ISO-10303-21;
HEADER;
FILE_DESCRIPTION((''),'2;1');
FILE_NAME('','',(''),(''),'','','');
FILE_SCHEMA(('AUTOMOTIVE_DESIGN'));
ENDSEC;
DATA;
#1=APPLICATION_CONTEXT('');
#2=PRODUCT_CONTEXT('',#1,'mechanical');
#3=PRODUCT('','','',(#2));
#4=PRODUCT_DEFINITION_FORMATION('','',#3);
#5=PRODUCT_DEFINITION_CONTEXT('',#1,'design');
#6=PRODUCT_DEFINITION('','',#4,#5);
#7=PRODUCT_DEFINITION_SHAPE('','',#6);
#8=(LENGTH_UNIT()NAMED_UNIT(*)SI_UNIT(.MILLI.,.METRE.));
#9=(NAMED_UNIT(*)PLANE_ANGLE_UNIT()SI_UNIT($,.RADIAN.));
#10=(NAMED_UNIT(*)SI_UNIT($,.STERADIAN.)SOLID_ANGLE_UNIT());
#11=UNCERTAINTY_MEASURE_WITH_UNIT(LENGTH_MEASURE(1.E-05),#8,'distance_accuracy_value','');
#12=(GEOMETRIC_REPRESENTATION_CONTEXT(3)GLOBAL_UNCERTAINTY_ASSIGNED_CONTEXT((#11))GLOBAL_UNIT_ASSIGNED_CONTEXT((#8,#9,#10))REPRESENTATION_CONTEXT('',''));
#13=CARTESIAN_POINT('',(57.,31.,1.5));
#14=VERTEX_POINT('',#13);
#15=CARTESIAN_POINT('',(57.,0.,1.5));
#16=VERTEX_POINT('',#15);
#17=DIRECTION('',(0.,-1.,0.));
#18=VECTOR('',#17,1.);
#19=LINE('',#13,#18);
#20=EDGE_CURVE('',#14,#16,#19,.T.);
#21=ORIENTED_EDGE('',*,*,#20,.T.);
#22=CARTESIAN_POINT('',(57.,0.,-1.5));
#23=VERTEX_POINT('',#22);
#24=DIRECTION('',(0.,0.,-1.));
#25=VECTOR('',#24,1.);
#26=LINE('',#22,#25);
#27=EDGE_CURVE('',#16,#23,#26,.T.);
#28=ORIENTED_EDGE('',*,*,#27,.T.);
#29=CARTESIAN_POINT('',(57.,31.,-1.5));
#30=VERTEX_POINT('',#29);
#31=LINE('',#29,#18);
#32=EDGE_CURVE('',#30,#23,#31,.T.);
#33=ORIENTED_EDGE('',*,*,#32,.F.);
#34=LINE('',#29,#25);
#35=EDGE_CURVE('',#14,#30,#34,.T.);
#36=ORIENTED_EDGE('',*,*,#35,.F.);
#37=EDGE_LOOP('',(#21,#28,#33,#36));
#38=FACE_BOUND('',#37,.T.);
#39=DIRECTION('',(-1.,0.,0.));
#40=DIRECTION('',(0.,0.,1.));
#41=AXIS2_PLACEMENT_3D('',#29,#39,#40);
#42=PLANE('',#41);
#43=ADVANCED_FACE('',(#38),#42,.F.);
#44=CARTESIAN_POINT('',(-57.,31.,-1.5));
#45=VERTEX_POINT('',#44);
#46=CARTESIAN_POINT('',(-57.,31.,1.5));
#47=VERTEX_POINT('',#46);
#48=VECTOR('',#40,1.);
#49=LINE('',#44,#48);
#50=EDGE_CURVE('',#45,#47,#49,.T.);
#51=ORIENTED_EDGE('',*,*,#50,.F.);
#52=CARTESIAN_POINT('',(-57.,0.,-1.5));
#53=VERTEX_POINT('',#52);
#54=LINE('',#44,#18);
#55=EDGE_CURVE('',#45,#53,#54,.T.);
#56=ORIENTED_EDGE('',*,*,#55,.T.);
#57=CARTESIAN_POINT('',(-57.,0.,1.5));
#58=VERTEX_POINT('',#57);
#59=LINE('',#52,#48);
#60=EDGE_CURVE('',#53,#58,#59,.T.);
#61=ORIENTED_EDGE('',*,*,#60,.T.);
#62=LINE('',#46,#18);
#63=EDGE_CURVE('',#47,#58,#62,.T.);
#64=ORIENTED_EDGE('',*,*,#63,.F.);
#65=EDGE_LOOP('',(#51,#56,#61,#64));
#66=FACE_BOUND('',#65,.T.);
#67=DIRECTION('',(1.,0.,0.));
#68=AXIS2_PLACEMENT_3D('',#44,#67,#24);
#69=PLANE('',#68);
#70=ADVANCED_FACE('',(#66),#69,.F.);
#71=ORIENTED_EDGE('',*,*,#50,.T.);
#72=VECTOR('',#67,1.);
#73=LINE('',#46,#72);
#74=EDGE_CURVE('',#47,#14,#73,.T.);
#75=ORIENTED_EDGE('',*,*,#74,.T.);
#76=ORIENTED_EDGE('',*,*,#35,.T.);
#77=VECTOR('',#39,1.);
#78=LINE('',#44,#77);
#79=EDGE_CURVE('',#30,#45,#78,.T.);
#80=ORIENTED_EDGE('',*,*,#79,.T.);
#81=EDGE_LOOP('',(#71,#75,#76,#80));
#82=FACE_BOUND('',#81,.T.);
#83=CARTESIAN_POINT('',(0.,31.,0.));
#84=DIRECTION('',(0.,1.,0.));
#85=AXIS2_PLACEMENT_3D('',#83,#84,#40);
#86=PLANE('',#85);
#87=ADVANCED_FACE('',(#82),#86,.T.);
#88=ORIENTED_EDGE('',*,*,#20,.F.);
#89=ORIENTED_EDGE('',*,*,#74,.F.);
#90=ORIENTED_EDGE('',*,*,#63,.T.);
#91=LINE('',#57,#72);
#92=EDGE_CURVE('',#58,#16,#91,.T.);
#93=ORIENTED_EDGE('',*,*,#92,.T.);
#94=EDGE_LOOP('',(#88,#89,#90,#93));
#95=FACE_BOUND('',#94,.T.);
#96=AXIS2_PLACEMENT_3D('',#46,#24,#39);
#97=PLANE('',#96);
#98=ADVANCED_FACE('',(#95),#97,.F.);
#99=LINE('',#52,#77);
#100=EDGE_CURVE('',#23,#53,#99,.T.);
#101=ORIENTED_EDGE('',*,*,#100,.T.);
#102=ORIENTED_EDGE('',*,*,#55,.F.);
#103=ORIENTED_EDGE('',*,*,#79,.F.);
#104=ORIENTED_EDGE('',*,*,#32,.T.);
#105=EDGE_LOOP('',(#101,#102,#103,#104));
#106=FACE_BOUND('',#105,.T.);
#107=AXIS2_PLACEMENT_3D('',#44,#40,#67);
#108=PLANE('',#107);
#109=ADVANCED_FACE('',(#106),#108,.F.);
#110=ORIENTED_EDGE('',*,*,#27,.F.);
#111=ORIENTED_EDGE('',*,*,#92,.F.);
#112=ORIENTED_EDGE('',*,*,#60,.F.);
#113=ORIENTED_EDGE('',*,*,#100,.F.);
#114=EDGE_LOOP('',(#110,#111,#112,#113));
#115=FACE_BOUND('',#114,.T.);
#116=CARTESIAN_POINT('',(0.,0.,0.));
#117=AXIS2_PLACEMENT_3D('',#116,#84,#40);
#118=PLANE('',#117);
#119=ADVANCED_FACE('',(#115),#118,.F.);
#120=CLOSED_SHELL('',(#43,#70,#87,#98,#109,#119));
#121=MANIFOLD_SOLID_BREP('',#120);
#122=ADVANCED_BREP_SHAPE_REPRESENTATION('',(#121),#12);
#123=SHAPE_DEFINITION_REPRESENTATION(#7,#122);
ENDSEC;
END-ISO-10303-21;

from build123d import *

# Parameters (mm, degrees)
SKETCH_1_W      = 114
SKETCH_1_H      = 3
EXTRUDE_1_DEPTH = 31


with BuildPart() as part:
    # 草图1 → 凸台-拉伸1 (new body)
    with BuildSketch(Plane(origin=(0, 0, 0), x_dir=(1, 0, 0), z_dir=(0, 1, 0))):
        Rectangle(SKETCH_1_W, SKETCH_1_H)
    extrude(amount=EXTRUDE_1_DEPTH)


solid = part.part
